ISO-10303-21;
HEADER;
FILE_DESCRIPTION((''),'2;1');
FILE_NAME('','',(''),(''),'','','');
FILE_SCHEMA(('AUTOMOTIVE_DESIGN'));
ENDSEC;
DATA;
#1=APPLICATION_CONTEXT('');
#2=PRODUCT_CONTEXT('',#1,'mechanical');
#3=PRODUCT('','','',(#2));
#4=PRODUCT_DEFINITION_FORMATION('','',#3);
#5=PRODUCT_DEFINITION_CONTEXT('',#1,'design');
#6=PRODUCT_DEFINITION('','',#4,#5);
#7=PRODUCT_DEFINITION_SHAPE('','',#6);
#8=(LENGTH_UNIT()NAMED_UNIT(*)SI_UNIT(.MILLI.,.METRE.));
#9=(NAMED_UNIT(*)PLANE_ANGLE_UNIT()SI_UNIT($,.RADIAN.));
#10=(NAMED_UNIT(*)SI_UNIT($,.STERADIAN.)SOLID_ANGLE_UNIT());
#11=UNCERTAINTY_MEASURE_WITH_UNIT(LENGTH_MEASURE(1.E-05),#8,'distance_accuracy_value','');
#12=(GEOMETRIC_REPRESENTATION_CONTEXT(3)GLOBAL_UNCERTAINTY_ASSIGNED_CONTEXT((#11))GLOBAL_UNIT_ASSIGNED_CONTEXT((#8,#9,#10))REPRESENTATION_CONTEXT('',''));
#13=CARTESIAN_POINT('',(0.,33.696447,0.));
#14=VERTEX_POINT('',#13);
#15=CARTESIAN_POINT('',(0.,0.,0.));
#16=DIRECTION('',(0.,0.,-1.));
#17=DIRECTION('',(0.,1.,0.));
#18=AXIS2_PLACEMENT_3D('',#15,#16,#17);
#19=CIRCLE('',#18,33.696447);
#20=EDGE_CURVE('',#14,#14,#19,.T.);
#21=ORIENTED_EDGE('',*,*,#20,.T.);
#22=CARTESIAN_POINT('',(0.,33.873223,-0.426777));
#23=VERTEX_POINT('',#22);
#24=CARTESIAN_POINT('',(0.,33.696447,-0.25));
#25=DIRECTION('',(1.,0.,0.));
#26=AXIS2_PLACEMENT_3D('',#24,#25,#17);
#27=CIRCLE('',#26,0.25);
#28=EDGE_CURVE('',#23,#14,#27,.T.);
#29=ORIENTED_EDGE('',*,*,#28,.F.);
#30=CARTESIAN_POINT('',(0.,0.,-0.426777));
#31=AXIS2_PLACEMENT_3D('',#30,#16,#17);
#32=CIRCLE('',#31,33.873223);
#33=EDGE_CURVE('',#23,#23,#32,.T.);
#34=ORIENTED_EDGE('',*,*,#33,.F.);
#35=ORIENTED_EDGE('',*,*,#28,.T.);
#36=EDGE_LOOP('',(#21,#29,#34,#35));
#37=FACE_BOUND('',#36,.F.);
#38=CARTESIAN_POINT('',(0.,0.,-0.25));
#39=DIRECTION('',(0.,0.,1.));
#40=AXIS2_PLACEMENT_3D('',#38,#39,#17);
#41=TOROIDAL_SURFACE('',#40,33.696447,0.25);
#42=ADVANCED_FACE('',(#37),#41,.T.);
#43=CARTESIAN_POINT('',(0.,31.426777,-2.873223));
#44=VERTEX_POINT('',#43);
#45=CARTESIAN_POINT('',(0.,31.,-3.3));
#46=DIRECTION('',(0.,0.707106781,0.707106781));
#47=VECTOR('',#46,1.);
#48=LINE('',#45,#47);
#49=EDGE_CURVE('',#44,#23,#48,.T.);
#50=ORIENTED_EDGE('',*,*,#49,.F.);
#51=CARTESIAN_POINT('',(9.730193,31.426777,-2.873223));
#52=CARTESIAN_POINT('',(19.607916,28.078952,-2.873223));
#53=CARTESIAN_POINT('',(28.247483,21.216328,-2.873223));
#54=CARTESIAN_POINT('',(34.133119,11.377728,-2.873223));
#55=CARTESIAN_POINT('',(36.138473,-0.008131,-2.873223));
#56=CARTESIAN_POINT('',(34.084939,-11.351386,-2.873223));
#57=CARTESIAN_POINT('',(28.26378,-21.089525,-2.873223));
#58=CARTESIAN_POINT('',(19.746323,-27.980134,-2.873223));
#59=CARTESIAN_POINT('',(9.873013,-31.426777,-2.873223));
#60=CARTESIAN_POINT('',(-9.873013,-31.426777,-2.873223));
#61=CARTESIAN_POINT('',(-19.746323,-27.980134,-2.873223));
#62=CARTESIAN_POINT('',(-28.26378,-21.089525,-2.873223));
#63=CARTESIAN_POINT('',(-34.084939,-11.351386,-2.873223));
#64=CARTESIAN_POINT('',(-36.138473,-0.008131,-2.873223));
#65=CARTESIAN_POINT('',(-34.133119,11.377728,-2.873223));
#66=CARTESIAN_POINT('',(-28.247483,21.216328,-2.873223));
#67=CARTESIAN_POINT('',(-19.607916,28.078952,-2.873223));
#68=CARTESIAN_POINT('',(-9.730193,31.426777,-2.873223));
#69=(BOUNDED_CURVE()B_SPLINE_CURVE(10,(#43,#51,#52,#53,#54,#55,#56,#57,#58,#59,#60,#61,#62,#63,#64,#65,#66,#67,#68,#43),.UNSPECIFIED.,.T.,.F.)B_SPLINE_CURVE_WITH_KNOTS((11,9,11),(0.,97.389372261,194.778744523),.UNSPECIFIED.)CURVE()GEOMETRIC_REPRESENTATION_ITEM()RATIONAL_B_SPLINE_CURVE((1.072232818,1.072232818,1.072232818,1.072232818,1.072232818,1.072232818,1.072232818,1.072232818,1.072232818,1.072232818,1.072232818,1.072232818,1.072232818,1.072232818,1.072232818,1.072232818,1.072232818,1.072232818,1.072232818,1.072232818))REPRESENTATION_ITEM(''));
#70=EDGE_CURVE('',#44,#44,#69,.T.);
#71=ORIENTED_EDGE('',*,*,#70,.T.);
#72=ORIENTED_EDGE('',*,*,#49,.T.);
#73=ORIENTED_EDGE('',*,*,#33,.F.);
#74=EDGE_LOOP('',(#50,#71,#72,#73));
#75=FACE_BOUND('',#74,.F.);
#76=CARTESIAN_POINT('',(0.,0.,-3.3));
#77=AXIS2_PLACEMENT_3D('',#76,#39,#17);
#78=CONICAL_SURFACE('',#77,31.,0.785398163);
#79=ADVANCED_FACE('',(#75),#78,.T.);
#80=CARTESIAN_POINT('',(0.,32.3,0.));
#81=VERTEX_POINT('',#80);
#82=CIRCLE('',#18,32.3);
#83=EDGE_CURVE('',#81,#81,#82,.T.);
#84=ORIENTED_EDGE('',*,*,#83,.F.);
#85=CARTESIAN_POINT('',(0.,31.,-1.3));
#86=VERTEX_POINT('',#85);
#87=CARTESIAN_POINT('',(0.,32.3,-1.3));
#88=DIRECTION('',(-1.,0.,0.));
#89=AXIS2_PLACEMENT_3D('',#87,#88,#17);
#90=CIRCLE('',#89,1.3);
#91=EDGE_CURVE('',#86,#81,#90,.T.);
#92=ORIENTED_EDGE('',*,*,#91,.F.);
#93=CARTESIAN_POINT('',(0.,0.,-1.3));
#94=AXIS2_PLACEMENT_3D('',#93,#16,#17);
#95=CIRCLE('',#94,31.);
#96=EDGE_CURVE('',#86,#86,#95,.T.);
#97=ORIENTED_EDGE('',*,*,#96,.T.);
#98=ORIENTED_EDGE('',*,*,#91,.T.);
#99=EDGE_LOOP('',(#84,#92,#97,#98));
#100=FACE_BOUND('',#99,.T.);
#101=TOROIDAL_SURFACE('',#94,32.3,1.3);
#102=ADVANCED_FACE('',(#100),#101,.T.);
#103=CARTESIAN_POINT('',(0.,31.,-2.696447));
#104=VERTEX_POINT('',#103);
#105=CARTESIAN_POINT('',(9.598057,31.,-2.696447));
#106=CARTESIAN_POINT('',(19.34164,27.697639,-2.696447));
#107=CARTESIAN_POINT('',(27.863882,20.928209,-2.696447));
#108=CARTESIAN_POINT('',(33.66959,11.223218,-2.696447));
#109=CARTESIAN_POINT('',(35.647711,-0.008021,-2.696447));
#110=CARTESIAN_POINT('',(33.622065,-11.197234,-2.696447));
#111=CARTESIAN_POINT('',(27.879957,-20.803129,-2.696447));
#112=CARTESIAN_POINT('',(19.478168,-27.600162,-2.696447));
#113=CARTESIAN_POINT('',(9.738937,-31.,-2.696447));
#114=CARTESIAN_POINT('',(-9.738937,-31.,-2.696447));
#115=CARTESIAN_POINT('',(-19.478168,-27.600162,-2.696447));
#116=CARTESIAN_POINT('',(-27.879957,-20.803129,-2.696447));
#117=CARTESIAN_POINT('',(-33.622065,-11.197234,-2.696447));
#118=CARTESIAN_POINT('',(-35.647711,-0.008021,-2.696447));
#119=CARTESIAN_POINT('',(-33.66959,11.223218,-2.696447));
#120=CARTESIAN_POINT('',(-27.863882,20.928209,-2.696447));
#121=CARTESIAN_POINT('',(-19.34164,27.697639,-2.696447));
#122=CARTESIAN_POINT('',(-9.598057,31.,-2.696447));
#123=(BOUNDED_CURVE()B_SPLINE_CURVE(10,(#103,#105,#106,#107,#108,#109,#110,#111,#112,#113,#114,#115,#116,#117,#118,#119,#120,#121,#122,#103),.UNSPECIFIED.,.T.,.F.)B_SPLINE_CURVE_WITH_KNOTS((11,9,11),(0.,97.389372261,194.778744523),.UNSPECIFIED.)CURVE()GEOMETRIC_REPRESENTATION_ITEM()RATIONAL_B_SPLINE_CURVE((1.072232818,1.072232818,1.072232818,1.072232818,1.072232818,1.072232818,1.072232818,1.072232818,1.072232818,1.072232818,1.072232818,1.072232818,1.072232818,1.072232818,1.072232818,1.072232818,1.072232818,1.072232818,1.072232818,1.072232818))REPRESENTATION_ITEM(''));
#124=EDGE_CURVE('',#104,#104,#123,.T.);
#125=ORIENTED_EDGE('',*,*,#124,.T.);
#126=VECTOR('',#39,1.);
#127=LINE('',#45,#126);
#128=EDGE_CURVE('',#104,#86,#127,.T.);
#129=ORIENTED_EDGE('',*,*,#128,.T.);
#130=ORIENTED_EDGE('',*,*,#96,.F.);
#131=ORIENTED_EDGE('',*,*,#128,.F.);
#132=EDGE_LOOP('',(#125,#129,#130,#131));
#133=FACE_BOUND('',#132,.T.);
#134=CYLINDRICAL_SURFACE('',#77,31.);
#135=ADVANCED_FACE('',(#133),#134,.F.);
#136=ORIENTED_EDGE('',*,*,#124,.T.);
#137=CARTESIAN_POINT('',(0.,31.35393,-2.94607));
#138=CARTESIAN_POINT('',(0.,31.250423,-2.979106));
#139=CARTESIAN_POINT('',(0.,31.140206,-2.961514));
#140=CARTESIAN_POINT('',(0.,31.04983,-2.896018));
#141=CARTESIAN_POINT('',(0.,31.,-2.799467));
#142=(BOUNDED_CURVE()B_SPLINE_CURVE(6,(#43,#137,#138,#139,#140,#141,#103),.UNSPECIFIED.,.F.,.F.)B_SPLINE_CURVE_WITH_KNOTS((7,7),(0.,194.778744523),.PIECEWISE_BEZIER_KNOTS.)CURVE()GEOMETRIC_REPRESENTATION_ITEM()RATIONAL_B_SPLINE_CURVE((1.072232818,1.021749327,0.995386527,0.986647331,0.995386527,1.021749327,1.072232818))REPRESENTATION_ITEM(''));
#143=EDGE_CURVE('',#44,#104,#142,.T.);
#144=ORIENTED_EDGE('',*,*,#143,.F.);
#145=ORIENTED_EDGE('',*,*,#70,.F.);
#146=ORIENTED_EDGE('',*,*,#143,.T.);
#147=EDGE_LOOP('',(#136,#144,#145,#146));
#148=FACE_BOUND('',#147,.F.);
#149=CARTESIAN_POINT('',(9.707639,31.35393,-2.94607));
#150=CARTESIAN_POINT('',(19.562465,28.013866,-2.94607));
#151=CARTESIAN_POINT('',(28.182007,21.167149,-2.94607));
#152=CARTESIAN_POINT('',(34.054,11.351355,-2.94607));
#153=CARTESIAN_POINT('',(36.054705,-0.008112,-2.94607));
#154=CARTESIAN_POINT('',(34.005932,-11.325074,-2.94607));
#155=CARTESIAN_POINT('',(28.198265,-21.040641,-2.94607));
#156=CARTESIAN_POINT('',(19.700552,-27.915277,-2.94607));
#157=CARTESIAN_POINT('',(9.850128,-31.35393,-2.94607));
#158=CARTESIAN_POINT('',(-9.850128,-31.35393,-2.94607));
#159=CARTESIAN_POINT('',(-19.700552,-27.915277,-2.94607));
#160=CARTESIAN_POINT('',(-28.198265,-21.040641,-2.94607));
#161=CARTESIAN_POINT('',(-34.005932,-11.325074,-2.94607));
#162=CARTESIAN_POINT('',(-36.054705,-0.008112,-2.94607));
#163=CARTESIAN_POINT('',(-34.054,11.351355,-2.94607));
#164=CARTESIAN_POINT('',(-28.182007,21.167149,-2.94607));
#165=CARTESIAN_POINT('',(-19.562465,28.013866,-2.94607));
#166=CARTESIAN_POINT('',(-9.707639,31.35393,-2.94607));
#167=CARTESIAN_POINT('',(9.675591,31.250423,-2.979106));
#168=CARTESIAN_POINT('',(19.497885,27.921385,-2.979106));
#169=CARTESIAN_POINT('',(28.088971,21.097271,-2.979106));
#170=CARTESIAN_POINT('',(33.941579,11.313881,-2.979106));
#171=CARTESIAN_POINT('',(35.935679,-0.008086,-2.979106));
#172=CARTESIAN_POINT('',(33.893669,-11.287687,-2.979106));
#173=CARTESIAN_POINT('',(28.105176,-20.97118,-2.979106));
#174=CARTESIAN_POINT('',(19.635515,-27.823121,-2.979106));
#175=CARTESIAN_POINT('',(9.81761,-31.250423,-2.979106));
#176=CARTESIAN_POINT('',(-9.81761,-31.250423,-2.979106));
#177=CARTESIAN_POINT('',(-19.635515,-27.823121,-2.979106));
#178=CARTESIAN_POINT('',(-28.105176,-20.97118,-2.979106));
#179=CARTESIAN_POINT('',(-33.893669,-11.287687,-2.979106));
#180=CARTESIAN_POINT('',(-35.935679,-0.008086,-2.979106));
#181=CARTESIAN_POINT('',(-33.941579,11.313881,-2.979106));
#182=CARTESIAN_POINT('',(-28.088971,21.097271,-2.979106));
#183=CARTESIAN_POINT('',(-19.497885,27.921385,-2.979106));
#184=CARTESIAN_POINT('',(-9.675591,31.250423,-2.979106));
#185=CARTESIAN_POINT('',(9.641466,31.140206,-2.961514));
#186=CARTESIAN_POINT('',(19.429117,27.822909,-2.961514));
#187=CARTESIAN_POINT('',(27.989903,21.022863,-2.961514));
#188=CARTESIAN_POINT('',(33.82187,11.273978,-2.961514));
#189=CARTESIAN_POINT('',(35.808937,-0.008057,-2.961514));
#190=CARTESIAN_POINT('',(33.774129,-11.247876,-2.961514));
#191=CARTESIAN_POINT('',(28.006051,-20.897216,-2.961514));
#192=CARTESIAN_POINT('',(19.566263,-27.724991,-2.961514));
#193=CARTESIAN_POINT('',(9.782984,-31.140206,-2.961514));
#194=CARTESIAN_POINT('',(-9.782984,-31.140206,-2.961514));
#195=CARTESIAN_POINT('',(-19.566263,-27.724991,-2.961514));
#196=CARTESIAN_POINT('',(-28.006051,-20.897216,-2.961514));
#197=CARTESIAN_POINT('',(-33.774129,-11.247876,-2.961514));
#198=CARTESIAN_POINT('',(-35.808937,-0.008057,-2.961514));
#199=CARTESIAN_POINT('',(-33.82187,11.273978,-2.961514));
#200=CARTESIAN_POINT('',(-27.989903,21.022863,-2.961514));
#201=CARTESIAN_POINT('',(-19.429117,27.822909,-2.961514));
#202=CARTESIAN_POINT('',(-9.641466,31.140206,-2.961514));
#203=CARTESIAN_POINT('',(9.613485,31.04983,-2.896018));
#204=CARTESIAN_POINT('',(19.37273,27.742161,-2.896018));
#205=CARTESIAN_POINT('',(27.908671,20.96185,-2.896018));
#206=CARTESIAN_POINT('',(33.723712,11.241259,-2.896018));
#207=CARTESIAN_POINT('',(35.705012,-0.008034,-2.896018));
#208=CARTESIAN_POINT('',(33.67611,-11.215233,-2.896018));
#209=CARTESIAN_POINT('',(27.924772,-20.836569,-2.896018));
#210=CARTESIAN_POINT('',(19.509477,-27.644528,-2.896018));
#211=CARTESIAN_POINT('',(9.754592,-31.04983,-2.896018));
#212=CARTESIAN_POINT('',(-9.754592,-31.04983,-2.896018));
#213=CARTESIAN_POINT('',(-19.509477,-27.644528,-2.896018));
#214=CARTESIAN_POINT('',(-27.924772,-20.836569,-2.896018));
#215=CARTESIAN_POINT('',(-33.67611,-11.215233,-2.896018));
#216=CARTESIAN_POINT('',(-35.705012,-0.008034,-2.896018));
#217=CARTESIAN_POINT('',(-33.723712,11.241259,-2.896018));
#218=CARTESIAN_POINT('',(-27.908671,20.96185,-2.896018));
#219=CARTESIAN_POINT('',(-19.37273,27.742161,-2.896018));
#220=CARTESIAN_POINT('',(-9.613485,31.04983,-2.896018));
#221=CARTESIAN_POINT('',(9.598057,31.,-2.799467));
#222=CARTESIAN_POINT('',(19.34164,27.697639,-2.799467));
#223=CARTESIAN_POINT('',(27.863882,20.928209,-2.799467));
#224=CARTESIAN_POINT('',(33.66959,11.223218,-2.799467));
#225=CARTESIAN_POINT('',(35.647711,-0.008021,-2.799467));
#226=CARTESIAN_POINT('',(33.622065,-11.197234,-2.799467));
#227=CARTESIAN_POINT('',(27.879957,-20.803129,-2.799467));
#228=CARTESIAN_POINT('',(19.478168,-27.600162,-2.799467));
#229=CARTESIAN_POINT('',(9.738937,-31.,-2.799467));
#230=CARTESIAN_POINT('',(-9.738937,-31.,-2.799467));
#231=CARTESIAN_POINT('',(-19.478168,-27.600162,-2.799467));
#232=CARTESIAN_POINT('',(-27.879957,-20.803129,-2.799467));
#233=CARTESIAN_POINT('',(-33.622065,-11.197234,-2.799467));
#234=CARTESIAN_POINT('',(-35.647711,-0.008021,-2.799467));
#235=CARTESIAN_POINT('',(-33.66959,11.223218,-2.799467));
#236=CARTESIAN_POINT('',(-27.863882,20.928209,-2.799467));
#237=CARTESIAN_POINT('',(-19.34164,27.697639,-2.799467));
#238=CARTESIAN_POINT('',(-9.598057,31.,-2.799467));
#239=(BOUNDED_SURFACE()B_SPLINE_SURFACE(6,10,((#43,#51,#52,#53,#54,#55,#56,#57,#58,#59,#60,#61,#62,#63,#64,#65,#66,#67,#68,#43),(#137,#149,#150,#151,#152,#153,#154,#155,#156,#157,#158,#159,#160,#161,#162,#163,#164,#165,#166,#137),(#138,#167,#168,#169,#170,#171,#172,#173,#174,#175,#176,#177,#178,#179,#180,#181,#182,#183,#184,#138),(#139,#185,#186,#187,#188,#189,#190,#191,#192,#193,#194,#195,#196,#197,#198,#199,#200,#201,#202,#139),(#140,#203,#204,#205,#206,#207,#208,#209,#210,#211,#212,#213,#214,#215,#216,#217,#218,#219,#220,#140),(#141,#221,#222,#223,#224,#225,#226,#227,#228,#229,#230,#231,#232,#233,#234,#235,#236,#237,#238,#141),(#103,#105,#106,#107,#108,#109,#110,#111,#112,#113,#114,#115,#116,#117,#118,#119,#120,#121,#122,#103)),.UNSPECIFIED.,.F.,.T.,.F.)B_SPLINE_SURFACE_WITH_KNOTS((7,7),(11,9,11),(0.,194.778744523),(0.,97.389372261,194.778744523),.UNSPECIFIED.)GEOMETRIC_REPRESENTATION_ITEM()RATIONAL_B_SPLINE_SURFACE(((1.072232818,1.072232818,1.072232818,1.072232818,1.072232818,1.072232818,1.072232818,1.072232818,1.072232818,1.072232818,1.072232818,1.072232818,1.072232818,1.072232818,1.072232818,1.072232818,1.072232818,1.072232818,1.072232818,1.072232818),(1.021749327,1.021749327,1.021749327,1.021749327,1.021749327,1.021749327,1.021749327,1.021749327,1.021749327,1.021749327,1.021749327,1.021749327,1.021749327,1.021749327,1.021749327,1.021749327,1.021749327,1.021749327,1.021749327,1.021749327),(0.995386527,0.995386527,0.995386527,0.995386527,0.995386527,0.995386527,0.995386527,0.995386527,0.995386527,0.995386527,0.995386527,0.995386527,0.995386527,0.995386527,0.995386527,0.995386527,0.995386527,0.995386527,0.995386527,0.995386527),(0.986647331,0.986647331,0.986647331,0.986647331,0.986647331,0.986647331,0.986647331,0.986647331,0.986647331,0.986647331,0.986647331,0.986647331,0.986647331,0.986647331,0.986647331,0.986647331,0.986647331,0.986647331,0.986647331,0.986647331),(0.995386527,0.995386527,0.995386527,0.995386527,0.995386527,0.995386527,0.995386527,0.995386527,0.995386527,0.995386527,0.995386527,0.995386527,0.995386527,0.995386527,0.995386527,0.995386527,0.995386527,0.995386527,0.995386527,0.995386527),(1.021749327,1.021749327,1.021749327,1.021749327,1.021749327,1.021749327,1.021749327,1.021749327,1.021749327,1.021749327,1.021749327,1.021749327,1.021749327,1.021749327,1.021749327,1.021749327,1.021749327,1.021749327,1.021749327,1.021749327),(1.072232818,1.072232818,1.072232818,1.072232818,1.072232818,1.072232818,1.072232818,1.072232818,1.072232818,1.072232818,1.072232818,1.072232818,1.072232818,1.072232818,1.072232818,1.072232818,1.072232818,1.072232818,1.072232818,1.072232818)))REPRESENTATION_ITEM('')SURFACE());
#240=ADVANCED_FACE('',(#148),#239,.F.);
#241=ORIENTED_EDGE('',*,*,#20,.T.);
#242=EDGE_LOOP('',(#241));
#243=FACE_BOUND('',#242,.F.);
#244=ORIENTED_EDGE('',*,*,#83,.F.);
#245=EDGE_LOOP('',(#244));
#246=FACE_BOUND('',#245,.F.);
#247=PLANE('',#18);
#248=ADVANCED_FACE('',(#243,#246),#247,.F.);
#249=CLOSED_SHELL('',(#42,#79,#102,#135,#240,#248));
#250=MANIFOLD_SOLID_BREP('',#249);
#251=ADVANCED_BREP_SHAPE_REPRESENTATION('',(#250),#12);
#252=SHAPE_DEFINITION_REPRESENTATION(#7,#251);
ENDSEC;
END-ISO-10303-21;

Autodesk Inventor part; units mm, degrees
ref_plane "YZ Plane" through (0, 0, 0) normal (1, 0, 0) x (0, 1, 0)
ref_plane "XZ Plane" through (0, 0, 0) normal (0, 1, 0) x (-1, 0, 0)
ref_plane "XY Plane" through (0, 0, 0) normal (0, 0, 1) x (1, 0, 0)
sketch "Эскиз1" plane through (0, 0, 0) normal (1, 0, 0) x (0, 1, 0)
  line L0 (-6.86, 0) -> (41.16, 0) construction
  line L1 (0, 0.66) -> (0, -3.96) construction
  line L2 (34.3, 0) -> (31, 0)
  line L3 (31, -3.3) -> (34.3, 0)
  line L4 (31, -3.3) -> (31, 0)
  point P0 (0, 0)
  dimension "d0" = 31
  dimension "d1" = 3.3
  dimension "d2" = 45
revolve "Вращение1" add sketch "Эскиз1" angle 360 about axis through (0, 0, 0) along (0, 0, -1)
fillet "Сопряжение1" radius 1.3 1 edges at (0, -31, 0)
fillet "Сопряжение2" radius 0.25 1 edges at (0, -34.3, 0)
fillet "Сопряжение3" radius 0.25 1 edges at (0, -31, -3.3)
properties part number "кол_062"
